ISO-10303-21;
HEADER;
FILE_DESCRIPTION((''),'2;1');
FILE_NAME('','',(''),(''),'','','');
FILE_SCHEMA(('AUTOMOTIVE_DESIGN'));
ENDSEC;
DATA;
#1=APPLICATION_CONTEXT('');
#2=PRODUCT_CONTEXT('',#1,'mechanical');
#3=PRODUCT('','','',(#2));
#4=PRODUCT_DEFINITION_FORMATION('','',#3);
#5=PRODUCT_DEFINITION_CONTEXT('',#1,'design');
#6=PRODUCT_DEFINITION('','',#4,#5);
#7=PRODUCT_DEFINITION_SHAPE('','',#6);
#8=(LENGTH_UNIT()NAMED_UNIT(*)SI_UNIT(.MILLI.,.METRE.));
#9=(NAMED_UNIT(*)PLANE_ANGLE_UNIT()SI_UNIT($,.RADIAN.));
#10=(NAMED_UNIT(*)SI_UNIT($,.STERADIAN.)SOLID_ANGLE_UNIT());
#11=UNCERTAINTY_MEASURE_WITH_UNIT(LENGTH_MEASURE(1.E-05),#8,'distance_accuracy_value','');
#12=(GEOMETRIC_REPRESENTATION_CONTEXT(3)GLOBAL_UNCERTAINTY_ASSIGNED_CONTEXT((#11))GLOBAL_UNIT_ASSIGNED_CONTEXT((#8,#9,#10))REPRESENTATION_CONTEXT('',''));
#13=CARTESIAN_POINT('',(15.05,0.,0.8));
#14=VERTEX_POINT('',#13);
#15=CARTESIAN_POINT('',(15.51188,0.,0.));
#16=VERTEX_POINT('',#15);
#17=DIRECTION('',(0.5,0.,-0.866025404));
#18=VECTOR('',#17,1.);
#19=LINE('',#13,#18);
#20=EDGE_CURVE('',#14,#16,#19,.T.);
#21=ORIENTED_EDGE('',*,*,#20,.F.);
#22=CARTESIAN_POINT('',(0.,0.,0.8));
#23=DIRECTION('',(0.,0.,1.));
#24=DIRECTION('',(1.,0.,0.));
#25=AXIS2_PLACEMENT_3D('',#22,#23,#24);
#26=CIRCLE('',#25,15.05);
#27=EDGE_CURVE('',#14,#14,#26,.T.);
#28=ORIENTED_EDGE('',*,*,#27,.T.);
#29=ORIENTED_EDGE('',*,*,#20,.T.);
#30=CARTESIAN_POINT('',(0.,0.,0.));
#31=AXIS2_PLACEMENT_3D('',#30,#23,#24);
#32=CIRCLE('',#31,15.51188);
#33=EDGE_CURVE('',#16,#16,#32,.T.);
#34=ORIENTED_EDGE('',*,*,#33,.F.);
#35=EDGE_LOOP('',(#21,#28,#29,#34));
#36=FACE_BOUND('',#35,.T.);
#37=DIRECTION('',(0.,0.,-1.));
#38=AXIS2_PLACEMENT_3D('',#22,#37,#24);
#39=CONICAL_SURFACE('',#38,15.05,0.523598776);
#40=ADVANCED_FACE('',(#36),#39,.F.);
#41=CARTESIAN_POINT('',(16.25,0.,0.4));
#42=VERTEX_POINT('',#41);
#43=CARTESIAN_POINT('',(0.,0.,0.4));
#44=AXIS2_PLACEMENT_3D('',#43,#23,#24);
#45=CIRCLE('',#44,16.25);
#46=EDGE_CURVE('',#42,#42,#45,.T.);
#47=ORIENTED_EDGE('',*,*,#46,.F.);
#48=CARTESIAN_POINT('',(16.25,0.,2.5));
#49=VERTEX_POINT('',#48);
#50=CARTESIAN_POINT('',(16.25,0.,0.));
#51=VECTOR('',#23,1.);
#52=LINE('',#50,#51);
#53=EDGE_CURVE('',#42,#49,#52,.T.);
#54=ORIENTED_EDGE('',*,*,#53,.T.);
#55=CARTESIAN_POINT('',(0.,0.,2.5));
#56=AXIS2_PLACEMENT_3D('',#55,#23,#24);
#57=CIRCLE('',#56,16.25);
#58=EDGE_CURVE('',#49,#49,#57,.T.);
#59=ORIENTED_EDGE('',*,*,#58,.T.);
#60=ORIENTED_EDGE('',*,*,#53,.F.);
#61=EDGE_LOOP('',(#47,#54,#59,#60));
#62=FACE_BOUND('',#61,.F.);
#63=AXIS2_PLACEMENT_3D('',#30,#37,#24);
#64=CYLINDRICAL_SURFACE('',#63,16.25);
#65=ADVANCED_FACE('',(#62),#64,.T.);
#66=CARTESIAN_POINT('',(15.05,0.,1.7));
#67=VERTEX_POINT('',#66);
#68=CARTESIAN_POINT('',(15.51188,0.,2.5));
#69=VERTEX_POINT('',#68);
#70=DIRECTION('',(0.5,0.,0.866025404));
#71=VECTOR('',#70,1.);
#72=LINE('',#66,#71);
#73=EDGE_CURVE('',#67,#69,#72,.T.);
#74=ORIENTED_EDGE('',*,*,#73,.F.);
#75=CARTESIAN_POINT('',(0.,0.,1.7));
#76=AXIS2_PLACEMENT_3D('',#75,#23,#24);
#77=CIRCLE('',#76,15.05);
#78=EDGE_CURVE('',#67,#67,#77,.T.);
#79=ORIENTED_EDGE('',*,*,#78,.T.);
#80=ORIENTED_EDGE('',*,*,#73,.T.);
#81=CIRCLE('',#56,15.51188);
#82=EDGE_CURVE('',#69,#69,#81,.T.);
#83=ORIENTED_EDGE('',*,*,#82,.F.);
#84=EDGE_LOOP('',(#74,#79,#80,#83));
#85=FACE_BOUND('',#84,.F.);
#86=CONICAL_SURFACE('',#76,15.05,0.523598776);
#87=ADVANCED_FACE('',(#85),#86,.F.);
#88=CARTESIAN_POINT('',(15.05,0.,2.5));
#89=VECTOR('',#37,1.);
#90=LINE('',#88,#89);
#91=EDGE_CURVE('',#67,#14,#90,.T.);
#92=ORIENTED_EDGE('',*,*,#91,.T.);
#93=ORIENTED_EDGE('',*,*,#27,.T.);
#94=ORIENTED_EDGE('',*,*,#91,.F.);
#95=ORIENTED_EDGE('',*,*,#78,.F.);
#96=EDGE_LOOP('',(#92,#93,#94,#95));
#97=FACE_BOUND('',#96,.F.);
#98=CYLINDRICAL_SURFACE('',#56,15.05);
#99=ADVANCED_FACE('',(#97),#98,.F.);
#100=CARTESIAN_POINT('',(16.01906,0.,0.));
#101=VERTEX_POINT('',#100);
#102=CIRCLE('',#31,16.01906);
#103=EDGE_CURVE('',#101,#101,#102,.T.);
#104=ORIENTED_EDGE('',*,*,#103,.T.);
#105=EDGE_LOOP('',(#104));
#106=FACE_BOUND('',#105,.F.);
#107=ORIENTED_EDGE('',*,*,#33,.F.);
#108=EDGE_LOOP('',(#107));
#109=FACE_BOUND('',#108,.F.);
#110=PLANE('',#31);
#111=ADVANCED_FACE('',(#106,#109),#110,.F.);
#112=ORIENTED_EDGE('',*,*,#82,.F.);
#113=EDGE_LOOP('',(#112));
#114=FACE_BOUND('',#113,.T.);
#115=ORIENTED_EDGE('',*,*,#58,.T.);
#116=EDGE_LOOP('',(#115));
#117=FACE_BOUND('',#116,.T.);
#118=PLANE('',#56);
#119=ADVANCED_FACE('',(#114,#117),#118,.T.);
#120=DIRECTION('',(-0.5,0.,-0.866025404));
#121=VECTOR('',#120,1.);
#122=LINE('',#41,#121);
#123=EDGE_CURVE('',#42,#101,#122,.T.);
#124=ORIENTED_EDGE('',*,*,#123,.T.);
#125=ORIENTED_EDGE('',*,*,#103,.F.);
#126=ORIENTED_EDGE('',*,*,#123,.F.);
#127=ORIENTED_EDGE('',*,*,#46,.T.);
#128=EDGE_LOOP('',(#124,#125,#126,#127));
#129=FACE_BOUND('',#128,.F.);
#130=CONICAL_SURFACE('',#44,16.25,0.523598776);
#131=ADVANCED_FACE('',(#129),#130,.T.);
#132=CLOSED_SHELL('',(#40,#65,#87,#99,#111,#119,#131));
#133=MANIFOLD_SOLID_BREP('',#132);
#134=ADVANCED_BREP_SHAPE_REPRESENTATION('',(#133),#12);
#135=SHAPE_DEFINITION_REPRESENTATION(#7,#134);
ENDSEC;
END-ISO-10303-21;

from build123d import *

# Parameters (mm, degrees)
F0_R     = 16.25
F1_DEPTH = 2.5
F2_R     = 15.05
F3_DEPTH = 2.501
F4_SIZE2 = 0.4618802154
F4_SIZE  = 0.8
F5_SIZE2 = 0.2309401077
F5_SIZE  = 0.4


with BuildPart() as f1:
    # F0 (on Top) → F1 (new body)
    with BuildSketch(Plane.XY):
        Circle(F0_R)
    extrude(amount=F1_DEPTH)

    # F2 (on face) → F3 (cut, through all)
    with BuildSketch(Plane.XY.offset(2.5)):
        Circle(F2_R)
    extrude(amount=-F3_DEPTH, mode=Mode.SUBTRACT)

    # F4
    f4_edges = [f1.edges().sort_by_distance(p)[0] for p in [
        (-15.05, 0, 2.5),
        (-15.05, 0, 0),
    ]]
    f4_side = f1.faces().sort_by_distance((-15.05, 0, 1.25))[0]
    chamfer(f4_edges, length=F4_SIZE, length2=F4_SIZE2, reference=f4_side)

    # F5
    f5_edges = [f1.edges().sort_by_distance(p)[0] for p in [
        (-16.25, 0, 0),
    ]]
    f5_side = f1.faces().sort_by_distance((-16.25, 0, 1.25))[0]
    chamfer(f5_edges, length=F5_SIZE, length2=F5_SIZE2, reference=f5_side)


solid = f1.part
